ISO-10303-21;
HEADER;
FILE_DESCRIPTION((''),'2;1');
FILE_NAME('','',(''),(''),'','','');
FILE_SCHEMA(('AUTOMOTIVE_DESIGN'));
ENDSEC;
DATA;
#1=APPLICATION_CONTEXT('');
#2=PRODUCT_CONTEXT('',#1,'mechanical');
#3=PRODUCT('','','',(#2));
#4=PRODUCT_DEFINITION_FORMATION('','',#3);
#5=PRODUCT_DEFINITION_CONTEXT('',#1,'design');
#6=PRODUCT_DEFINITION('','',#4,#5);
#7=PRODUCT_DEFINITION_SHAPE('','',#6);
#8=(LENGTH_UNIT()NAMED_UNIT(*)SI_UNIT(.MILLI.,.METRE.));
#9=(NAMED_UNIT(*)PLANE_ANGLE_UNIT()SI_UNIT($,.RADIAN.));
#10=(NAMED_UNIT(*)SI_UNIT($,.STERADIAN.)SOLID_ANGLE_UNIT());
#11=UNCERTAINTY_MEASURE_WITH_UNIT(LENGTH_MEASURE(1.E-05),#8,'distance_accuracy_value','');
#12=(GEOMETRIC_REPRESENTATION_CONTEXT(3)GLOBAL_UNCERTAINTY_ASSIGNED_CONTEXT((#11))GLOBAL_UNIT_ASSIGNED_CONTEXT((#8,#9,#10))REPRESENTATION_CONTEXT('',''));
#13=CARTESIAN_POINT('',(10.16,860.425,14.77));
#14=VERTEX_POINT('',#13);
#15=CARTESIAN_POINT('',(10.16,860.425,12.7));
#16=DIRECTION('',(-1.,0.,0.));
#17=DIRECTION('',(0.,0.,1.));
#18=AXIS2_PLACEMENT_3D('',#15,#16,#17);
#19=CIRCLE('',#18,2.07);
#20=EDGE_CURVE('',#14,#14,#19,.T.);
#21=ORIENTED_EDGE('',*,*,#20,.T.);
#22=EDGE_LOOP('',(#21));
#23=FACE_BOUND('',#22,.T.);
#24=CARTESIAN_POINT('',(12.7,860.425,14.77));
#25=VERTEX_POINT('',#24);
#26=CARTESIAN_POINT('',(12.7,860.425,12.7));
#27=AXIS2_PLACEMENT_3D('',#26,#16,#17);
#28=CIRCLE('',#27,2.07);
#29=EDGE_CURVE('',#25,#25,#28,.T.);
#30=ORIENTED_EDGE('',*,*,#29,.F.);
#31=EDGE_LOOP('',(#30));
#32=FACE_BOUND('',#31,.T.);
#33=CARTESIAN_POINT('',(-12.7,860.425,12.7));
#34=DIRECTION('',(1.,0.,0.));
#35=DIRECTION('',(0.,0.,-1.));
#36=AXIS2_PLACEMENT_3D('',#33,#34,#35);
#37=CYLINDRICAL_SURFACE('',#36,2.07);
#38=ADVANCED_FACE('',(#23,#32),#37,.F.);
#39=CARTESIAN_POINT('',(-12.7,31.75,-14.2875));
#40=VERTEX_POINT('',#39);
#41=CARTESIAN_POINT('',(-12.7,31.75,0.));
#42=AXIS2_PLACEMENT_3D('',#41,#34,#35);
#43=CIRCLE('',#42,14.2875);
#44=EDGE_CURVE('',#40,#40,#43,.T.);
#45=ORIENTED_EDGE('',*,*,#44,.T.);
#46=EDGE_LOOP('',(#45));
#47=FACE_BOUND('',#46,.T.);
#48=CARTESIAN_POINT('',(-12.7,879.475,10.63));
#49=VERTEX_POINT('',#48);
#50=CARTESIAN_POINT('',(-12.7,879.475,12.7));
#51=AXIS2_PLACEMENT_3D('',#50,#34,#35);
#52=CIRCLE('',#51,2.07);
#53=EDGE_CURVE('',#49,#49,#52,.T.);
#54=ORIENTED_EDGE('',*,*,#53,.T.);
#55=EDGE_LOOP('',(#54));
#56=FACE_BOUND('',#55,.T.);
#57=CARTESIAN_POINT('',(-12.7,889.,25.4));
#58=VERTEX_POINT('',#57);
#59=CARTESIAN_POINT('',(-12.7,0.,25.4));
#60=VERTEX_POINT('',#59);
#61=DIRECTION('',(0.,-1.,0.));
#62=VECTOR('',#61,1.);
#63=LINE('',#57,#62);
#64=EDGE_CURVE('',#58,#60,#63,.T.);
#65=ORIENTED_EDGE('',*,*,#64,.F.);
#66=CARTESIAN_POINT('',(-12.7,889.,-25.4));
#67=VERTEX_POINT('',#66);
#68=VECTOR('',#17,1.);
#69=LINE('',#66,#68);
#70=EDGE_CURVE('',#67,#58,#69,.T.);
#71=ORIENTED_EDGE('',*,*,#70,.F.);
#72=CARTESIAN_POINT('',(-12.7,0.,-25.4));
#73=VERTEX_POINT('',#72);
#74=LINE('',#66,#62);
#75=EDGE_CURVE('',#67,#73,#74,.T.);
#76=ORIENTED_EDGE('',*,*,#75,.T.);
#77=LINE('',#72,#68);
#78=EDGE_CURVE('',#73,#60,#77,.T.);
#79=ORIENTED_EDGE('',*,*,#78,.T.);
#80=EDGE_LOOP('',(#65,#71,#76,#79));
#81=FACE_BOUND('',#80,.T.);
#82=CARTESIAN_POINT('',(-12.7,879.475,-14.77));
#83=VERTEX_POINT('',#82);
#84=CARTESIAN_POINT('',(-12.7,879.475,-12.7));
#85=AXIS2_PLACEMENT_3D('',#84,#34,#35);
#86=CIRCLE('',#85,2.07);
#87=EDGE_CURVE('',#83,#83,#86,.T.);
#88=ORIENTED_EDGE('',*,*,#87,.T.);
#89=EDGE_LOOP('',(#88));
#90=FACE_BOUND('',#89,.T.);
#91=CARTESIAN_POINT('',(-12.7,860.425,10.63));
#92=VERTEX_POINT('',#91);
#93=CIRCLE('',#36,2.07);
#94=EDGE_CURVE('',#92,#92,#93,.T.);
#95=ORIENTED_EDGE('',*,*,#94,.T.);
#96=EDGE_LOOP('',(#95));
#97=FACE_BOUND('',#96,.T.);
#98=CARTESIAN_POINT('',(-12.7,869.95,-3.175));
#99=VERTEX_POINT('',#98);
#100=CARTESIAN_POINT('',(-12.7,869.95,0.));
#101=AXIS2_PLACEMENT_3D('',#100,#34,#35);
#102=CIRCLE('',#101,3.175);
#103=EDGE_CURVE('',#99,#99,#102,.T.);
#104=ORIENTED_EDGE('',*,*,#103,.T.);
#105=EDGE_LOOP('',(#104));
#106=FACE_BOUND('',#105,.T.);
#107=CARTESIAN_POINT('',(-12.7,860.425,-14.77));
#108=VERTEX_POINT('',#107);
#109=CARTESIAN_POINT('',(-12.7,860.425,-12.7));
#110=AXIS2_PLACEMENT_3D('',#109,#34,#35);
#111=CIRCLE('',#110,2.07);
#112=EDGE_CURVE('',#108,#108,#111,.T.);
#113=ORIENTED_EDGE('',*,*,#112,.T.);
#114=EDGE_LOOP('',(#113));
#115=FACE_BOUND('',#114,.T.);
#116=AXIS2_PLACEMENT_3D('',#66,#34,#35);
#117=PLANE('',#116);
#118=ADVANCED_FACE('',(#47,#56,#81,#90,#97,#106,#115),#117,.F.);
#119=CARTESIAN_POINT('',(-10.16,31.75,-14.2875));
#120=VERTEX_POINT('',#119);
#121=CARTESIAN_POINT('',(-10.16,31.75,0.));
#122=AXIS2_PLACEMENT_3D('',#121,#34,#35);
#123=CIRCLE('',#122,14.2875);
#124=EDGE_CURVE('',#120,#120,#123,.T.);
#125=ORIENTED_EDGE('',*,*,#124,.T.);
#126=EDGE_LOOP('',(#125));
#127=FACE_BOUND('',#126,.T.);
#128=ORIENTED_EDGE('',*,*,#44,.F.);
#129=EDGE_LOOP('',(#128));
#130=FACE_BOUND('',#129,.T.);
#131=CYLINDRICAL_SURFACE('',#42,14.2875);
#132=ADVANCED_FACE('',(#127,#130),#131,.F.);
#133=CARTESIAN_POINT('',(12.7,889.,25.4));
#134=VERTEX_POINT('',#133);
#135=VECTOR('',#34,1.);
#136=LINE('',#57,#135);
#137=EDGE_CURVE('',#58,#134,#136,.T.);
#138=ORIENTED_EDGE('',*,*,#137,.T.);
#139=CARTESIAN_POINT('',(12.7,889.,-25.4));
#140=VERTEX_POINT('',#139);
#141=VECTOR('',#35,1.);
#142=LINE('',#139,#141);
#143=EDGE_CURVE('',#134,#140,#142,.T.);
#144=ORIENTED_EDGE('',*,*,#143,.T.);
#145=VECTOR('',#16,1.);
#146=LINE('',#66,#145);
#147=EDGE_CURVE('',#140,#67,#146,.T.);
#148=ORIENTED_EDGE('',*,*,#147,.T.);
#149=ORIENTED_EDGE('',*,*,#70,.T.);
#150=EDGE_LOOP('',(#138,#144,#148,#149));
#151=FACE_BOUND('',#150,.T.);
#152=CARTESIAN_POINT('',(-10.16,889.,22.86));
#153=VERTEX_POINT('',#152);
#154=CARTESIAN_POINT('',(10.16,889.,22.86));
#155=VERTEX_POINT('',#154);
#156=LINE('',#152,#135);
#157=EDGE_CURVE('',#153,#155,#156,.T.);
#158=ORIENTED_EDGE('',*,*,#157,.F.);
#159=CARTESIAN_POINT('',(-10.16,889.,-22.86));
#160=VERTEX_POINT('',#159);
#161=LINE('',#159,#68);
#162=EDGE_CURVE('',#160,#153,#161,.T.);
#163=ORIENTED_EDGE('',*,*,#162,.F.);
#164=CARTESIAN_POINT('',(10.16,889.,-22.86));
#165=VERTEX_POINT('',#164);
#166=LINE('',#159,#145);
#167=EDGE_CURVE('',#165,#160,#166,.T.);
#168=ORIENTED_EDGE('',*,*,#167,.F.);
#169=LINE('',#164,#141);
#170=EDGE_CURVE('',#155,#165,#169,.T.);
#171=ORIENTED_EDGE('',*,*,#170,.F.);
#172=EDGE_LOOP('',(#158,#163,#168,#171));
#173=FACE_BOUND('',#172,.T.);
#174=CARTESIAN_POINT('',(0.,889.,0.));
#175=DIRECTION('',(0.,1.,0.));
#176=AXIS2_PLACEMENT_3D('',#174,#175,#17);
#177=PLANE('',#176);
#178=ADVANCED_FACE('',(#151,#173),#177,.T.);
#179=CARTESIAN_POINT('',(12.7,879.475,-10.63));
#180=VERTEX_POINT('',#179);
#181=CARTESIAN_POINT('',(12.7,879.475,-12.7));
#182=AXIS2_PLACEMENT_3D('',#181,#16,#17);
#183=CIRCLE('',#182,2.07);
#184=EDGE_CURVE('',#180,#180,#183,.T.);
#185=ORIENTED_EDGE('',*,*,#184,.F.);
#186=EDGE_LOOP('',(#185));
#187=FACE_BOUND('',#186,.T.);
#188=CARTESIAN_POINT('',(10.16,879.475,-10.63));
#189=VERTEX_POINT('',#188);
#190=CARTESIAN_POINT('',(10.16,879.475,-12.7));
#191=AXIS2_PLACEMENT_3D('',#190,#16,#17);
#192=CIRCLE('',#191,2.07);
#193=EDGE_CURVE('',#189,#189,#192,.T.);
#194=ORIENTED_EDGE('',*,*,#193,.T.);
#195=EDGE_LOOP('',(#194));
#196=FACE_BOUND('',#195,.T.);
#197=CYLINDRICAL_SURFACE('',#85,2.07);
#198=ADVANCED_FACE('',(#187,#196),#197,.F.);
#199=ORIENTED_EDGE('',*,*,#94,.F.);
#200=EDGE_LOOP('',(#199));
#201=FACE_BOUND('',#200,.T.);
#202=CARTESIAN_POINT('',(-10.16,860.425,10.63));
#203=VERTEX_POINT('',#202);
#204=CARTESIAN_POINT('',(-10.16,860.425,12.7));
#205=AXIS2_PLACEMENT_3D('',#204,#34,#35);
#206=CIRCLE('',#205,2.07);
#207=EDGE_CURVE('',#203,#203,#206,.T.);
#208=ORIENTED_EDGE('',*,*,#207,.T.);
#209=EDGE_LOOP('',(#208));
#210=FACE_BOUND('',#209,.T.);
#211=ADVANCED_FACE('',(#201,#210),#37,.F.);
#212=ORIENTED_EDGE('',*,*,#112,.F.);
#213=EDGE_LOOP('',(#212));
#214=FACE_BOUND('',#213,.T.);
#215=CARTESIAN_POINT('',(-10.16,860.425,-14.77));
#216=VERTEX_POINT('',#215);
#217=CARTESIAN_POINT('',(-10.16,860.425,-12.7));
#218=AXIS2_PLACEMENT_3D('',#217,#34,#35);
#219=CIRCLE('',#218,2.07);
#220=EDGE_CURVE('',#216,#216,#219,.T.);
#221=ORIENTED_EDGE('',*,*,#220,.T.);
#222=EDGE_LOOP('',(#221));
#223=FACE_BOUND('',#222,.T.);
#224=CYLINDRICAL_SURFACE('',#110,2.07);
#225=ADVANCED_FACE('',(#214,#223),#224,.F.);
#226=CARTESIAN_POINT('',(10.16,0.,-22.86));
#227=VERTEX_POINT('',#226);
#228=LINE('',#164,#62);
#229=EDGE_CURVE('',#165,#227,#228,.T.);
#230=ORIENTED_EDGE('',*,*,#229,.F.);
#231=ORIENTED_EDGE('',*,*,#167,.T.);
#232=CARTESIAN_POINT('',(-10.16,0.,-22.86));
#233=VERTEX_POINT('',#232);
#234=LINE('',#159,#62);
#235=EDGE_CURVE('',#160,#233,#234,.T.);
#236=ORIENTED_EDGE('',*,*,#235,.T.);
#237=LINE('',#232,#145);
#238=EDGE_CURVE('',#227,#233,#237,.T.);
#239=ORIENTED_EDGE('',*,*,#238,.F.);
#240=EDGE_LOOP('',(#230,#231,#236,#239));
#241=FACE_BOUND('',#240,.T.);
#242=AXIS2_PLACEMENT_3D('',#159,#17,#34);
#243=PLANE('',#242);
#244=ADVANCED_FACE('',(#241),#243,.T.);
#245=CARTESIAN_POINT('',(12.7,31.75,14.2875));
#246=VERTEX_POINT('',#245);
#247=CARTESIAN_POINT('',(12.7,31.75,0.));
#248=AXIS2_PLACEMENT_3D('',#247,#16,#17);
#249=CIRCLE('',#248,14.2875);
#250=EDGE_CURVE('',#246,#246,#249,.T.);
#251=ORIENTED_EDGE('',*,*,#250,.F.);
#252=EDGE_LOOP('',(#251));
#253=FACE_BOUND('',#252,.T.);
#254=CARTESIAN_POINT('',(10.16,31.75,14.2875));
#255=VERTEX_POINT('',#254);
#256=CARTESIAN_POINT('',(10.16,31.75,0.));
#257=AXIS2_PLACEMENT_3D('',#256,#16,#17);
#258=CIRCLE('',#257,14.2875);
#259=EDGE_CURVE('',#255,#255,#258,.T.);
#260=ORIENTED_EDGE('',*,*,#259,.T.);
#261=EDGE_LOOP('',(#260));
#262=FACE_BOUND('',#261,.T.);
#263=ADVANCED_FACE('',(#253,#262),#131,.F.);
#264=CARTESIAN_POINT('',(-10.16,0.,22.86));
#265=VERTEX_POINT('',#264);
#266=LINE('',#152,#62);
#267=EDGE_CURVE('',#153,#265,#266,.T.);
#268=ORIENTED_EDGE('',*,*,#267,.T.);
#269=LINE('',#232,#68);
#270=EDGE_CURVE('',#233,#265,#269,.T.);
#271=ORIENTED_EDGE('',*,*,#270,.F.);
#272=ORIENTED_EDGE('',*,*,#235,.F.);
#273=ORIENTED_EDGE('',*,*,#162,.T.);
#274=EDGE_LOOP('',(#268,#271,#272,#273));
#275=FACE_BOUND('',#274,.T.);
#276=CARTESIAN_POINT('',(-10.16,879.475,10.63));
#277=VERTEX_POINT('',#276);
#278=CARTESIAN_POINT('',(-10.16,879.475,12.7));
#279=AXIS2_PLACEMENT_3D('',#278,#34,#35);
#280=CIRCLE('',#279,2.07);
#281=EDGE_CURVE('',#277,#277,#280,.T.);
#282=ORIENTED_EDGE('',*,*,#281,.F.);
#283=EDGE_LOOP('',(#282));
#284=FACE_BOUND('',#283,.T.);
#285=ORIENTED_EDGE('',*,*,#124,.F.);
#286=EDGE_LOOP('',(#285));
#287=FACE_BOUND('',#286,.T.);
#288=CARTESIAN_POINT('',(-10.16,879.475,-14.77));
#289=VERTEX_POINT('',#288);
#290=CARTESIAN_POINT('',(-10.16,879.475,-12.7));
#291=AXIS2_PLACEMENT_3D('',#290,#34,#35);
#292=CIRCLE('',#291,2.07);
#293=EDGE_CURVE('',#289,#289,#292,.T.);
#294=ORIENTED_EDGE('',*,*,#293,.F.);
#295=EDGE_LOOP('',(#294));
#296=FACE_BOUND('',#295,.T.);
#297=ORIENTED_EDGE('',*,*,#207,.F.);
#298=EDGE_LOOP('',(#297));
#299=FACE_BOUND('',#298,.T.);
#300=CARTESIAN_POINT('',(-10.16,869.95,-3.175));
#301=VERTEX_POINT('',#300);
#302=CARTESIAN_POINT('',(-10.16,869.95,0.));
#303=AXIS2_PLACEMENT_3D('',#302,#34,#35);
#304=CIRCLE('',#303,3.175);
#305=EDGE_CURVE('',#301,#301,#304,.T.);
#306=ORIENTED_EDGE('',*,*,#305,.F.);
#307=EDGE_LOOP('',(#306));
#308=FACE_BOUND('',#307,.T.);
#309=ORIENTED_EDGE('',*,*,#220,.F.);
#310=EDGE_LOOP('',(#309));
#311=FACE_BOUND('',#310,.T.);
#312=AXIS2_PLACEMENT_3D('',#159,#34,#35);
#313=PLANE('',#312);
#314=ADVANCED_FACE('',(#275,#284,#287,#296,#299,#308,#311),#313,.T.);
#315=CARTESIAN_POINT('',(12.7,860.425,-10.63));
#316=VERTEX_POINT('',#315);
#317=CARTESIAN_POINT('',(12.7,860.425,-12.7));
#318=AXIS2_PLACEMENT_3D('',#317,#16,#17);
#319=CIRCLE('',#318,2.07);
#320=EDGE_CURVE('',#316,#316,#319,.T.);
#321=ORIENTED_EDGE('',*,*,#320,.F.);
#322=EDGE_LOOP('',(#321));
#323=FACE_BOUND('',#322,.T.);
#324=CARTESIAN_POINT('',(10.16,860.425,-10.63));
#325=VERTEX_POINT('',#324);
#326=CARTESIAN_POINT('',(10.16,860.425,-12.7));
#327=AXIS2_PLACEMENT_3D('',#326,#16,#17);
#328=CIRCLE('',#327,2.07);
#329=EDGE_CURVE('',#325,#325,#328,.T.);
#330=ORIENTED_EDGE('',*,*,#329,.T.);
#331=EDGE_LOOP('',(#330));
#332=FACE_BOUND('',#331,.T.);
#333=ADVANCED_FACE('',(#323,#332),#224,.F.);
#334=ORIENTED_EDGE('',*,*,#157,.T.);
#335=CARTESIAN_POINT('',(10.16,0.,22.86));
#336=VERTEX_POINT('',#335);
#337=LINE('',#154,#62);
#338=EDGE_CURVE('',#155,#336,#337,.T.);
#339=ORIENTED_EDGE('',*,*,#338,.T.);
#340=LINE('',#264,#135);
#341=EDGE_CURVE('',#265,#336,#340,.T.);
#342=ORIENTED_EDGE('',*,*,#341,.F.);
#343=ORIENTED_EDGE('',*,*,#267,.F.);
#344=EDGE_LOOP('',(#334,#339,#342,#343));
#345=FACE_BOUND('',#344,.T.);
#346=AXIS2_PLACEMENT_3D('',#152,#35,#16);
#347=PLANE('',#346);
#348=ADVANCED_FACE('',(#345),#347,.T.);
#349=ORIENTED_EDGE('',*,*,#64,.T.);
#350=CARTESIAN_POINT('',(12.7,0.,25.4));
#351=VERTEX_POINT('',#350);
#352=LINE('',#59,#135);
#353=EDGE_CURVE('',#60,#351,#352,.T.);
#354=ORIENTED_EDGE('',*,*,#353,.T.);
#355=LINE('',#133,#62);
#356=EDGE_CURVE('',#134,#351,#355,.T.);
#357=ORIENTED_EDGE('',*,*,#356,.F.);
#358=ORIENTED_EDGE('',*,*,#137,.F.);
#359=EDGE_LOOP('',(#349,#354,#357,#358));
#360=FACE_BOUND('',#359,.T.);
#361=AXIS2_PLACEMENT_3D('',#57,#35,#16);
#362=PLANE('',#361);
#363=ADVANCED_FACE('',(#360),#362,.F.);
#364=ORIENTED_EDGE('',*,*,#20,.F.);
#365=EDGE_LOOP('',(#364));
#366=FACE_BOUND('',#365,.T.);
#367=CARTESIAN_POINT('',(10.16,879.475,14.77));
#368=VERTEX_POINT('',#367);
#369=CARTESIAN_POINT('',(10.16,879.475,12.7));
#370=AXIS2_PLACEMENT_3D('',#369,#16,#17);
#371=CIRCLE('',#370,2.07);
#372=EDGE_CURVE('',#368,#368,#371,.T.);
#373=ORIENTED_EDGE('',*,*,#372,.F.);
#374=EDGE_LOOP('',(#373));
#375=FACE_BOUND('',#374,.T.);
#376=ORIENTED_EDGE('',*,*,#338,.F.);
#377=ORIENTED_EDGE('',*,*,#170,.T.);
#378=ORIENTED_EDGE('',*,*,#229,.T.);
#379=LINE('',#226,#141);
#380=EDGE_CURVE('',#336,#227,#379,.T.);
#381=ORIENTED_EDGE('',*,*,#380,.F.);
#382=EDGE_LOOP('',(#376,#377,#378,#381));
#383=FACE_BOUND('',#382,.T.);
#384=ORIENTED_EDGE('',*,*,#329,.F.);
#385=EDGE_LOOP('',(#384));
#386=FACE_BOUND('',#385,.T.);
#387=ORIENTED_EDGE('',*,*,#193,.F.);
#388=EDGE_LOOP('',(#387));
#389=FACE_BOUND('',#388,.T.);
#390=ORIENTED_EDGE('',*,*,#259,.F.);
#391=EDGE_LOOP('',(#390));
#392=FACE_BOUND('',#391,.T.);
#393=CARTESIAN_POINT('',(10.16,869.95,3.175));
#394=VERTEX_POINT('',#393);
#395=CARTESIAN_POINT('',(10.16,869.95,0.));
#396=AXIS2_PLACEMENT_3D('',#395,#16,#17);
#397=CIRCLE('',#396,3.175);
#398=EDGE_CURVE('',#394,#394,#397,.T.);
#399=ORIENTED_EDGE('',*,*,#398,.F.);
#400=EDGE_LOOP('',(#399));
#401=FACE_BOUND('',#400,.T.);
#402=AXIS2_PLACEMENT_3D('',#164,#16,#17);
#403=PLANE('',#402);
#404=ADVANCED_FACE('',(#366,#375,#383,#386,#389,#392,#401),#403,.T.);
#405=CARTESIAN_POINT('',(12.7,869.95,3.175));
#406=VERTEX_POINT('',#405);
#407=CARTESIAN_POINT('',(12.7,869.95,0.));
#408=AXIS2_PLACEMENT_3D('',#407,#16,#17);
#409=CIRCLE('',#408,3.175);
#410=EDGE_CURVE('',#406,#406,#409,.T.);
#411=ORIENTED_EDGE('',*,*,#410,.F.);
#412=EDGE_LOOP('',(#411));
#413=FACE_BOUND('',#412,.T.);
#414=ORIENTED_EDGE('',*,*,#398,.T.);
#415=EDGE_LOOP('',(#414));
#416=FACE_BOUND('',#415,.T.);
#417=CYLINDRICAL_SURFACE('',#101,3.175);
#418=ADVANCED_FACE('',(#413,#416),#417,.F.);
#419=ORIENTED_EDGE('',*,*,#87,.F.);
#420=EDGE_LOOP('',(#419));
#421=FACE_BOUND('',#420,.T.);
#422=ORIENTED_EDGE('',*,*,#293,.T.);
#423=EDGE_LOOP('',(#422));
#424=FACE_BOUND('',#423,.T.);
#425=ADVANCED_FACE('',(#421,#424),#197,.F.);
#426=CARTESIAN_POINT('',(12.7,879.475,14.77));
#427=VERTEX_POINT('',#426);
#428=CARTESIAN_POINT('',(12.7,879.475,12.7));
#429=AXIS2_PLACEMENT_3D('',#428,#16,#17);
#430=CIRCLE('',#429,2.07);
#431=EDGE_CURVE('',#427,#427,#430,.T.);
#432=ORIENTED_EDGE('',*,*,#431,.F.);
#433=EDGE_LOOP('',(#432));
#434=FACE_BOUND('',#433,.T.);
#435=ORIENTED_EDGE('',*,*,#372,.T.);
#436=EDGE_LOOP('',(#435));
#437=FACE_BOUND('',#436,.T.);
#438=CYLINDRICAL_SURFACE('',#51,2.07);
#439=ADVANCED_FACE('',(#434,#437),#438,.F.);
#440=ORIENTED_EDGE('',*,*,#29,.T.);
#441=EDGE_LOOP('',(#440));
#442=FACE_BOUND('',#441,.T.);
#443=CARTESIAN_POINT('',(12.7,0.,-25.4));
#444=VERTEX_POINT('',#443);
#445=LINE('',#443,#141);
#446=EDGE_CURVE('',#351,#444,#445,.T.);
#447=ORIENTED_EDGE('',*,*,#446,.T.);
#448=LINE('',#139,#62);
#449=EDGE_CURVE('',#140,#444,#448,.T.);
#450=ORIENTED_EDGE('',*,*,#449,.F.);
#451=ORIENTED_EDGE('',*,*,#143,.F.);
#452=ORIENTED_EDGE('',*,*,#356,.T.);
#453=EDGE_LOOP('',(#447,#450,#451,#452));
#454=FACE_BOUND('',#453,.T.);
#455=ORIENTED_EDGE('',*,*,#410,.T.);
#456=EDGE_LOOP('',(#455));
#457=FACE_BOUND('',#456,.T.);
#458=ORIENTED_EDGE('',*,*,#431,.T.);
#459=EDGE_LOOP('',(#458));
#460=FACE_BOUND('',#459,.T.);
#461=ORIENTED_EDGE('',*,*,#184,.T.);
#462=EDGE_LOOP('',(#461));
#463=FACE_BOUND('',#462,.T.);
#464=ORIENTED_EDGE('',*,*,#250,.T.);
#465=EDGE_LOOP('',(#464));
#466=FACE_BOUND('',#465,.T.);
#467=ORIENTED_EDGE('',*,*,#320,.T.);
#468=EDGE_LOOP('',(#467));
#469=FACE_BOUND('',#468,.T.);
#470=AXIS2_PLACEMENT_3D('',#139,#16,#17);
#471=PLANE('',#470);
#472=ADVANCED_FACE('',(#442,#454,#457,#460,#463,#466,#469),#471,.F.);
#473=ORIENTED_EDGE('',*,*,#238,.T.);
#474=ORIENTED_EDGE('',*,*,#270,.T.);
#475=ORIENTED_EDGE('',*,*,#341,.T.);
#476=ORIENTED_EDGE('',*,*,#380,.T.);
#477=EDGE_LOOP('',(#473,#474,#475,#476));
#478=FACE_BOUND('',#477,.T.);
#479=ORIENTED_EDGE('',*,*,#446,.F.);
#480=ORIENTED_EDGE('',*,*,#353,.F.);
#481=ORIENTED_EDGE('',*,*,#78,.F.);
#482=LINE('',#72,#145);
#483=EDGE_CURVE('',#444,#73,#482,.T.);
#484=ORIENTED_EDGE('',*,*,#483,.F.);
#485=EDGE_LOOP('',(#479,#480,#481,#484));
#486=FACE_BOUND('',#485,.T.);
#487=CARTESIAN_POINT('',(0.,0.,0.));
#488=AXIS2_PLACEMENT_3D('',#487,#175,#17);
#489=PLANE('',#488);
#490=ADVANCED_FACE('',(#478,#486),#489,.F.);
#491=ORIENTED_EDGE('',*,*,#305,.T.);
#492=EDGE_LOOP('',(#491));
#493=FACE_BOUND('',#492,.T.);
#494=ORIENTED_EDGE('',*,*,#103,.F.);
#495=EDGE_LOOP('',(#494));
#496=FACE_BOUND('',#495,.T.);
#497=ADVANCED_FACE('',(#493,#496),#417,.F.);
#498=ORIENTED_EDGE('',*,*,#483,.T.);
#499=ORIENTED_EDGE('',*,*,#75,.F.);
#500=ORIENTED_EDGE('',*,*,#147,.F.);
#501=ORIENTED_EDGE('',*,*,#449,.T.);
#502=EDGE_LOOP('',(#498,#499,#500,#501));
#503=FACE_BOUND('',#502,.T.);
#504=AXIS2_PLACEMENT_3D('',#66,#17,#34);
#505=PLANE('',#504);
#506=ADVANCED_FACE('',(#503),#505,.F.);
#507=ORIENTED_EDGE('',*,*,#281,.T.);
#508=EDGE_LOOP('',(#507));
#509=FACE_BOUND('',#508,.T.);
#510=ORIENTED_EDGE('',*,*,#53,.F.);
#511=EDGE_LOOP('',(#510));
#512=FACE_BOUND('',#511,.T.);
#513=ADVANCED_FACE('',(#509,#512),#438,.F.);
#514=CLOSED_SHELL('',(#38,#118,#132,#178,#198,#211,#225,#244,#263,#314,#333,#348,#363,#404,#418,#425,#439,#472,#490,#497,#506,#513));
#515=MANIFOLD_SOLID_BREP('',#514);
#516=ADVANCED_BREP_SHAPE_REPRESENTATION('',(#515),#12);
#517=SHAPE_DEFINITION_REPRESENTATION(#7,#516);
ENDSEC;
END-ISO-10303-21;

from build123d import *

# Parameters (mm, degrees)
SKETCH1_W                                 = 25.4
SKETCH1_H                                 = 50.8
SKETCH1_W_2                               = 20.32
SKETCH1_H_2                               = 45.72
VERSAFRAME_VERSAFRAME_2_X_1_X_0_1_1_DEPTH = 889
CUT_EXTRUDE1_DEPTH                        = 890.725418317
CUT_EXTRUDE1_DEPTH_BACK                   = 890.725418317
SKETCH2_R                                 = 14.2875
CUT_EXTRUDE2_DEPTH                        = 890.725418317
CUT_EXTRUDE2_DEPTH_BACK                   = 890.725418317
SKETCH3_R                                 = 2.07
SKETCH3_R_2                               = 3.175


with BuildPart() as part:
    # Sketch1 → Versaframe VERSAFRAME 2 X 1 X 0.1 (1) (new body)
    with BuildSketch(Plane(origin=(0, 0, 0), x_dir=(1, 0, 0), z_dir=(0, 1, 0))):
        Rectangle(SKETCH1_W, SKETCH1_H)
        Rectangle(SKETCH1_W_2, SKETCH1_H_2, mode=Mode.SUBTRACT)
    extrude(amount=VERSAFRAME_VERSAFRAME_2_X_1_X_0_1_1_DEPTH)

    # Sketch2 → Cut-Extrude1 (cut, two sides: drawn at the far end of the back side and taken through both)
    with BuildSketch(Plane(origin=(12.7, 0, 0), x_dir=(0, 0, -1), z_dir=(1, 0, 0)).offset(-CUT_EXTRUDE1_DEPTH_BACK)):
        with Locations((0, 31.75)):
            Circle(SKETCH2_R)
    extrude(amount=CUT_EXTRUDE1_DEPTH + CUT_EXTRUDE1_DEPTH_BACK, mode=Mode.SUBTRACT)

    # Sketch3 → Cut-Extrude2 (cut, two sides: drawn at the far end of the back side and taken through both)
    with BuildSketch(Plane(origin=(12.7, 0, 0), x_dir=(0, 0, -1), z_dir=(1, 0, 0)).offset(-CUT_EXTRUDE2_DEPTH_BACK)):
        with Locations((-12.7, 879.475)):
            Circle(SKETCH3_R)
        with Locations((-12.7, 860.425)):
            Circle(SKETCH3_R)
        with Locations((0, 869.95)):
            Circle(SKETCH3_R_2)
        with Locations((12.7, 860.425)):
            Circle(SKETCH3_R)
        with Locations((12.7, 879.475)):
            Circle(SKETCH3_R)
    extrude(amount=CUT_EXTRUDE2_DEPTH + CUT_EXTRUDE2_DEPTH_BACK, mode=Mode.SUBTRACT)


solid = part.part
